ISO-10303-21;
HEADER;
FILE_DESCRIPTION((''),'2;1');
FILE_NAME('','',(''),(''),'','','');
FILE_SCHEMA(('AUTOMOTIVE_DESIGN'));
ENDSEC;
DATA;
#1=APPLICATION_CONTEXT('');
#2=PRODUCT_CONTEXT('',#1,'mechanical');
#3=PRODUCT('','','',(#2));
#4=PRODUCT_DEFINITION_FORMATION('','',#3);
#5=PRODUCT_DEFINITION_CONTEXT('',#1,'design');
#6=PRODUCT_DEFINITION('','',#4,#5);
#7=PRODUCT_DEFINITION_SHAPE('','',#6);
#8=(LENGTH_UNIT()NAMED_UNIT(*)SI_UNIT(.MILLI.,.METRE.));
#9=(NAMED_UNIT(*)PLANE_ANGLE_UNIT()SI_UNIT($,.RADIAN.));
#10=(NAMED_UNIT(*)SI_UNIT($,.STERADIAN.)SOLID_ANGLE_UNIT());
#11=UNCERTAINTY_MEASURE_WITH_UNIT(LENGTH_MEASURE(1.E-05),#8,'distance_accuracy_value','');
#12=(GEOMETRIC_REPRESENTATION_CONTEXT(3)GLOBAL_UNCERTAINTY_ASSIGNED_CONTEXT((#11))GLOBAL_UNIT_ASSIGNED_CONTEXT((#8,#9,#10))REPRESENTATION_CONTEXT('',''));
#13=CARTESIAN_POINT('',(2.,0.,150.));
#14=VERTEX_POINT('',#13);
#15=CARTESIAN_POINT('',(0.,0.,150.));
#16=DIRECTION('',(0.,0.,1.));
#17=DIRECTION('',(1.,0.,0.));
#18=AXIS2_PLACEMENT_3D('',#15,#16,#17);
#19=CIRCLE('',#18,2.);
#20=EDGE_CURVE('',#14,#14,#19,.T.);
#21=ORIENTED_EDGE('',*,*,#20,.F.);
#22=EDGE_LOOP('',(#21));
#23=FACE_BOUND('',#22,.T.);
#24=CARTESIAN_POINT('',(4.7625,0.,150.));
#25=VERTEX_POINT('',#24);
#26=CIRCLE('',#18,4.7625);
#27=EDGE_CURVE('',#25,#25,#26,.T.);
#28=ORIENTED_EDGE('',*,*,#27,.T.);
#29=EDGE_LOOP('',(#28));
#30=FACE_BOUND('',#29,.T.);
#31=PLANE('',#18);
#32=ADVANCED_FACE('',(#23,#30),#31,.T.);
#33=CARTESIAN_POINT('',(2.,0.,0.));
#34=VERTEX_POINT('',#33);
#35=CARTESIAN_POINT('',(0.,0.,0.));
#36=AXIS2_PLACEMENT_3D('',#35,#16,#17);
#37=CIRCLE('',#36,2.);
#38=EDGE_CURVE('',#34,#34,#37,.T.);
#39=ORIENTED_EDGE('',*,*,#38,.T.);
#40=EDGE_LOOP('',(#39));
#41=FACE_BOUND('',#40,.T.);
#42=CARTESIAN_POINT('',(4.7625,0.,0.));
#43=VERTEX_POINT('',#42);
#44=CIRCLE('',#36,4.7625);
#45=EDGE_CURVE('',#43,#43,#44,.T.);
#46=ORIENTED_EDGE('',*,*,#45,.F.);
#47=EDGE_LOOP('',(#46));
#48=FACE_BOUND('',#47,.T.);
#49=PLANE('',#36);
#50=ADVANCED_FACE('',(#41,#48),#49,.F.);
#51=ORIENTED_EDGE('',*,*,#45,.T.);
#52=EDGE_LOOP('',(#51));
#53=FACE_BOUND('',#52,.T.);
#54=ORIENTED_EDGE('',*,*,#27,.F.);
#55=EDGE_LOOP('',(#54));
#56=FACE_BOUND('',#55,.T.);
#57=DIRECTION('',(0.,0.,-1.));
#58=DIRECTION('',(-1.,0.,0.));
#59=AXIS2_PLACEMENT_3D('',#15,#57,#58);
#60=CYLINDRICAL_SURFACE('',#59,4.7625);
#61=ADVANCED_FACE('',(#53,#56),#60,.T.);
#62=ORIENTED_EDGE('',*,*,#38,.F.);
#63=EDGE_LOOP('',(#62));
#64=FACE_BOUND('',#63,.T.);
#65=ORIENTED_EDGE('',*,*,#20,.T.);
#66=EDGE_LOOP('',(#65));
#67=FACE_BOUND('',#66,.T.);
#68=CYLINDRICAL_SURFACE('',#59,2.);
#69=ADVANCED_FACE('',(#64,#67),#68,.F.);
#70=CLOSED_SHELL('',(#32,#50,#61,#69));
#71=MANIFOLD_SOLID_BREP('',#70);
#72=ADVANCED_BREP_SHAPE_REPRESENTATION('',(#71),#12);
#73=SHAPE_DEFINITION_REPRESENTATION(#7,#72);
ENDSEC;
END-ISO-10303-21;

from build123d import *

# Parameters (mm, degrees)
CROQUIS1_R              = 4.7625
CROQUIS1_R_2            = 2
SALIENTE_EXTRUIR1_DEPTH = 150


with BuildPart() as part:
    # Croquis1 → Saliente-Extruir1 (new body)
    with BuildSketch(Plane.XY):
        Circle(CROQUIS1_R)
        Circle(CROQUIS1_R_2, mode=Mode.SUBTRACT)
    extrude(amount=SALIENTE_EXTRUIR1_DEPTH)


solid = part.part
